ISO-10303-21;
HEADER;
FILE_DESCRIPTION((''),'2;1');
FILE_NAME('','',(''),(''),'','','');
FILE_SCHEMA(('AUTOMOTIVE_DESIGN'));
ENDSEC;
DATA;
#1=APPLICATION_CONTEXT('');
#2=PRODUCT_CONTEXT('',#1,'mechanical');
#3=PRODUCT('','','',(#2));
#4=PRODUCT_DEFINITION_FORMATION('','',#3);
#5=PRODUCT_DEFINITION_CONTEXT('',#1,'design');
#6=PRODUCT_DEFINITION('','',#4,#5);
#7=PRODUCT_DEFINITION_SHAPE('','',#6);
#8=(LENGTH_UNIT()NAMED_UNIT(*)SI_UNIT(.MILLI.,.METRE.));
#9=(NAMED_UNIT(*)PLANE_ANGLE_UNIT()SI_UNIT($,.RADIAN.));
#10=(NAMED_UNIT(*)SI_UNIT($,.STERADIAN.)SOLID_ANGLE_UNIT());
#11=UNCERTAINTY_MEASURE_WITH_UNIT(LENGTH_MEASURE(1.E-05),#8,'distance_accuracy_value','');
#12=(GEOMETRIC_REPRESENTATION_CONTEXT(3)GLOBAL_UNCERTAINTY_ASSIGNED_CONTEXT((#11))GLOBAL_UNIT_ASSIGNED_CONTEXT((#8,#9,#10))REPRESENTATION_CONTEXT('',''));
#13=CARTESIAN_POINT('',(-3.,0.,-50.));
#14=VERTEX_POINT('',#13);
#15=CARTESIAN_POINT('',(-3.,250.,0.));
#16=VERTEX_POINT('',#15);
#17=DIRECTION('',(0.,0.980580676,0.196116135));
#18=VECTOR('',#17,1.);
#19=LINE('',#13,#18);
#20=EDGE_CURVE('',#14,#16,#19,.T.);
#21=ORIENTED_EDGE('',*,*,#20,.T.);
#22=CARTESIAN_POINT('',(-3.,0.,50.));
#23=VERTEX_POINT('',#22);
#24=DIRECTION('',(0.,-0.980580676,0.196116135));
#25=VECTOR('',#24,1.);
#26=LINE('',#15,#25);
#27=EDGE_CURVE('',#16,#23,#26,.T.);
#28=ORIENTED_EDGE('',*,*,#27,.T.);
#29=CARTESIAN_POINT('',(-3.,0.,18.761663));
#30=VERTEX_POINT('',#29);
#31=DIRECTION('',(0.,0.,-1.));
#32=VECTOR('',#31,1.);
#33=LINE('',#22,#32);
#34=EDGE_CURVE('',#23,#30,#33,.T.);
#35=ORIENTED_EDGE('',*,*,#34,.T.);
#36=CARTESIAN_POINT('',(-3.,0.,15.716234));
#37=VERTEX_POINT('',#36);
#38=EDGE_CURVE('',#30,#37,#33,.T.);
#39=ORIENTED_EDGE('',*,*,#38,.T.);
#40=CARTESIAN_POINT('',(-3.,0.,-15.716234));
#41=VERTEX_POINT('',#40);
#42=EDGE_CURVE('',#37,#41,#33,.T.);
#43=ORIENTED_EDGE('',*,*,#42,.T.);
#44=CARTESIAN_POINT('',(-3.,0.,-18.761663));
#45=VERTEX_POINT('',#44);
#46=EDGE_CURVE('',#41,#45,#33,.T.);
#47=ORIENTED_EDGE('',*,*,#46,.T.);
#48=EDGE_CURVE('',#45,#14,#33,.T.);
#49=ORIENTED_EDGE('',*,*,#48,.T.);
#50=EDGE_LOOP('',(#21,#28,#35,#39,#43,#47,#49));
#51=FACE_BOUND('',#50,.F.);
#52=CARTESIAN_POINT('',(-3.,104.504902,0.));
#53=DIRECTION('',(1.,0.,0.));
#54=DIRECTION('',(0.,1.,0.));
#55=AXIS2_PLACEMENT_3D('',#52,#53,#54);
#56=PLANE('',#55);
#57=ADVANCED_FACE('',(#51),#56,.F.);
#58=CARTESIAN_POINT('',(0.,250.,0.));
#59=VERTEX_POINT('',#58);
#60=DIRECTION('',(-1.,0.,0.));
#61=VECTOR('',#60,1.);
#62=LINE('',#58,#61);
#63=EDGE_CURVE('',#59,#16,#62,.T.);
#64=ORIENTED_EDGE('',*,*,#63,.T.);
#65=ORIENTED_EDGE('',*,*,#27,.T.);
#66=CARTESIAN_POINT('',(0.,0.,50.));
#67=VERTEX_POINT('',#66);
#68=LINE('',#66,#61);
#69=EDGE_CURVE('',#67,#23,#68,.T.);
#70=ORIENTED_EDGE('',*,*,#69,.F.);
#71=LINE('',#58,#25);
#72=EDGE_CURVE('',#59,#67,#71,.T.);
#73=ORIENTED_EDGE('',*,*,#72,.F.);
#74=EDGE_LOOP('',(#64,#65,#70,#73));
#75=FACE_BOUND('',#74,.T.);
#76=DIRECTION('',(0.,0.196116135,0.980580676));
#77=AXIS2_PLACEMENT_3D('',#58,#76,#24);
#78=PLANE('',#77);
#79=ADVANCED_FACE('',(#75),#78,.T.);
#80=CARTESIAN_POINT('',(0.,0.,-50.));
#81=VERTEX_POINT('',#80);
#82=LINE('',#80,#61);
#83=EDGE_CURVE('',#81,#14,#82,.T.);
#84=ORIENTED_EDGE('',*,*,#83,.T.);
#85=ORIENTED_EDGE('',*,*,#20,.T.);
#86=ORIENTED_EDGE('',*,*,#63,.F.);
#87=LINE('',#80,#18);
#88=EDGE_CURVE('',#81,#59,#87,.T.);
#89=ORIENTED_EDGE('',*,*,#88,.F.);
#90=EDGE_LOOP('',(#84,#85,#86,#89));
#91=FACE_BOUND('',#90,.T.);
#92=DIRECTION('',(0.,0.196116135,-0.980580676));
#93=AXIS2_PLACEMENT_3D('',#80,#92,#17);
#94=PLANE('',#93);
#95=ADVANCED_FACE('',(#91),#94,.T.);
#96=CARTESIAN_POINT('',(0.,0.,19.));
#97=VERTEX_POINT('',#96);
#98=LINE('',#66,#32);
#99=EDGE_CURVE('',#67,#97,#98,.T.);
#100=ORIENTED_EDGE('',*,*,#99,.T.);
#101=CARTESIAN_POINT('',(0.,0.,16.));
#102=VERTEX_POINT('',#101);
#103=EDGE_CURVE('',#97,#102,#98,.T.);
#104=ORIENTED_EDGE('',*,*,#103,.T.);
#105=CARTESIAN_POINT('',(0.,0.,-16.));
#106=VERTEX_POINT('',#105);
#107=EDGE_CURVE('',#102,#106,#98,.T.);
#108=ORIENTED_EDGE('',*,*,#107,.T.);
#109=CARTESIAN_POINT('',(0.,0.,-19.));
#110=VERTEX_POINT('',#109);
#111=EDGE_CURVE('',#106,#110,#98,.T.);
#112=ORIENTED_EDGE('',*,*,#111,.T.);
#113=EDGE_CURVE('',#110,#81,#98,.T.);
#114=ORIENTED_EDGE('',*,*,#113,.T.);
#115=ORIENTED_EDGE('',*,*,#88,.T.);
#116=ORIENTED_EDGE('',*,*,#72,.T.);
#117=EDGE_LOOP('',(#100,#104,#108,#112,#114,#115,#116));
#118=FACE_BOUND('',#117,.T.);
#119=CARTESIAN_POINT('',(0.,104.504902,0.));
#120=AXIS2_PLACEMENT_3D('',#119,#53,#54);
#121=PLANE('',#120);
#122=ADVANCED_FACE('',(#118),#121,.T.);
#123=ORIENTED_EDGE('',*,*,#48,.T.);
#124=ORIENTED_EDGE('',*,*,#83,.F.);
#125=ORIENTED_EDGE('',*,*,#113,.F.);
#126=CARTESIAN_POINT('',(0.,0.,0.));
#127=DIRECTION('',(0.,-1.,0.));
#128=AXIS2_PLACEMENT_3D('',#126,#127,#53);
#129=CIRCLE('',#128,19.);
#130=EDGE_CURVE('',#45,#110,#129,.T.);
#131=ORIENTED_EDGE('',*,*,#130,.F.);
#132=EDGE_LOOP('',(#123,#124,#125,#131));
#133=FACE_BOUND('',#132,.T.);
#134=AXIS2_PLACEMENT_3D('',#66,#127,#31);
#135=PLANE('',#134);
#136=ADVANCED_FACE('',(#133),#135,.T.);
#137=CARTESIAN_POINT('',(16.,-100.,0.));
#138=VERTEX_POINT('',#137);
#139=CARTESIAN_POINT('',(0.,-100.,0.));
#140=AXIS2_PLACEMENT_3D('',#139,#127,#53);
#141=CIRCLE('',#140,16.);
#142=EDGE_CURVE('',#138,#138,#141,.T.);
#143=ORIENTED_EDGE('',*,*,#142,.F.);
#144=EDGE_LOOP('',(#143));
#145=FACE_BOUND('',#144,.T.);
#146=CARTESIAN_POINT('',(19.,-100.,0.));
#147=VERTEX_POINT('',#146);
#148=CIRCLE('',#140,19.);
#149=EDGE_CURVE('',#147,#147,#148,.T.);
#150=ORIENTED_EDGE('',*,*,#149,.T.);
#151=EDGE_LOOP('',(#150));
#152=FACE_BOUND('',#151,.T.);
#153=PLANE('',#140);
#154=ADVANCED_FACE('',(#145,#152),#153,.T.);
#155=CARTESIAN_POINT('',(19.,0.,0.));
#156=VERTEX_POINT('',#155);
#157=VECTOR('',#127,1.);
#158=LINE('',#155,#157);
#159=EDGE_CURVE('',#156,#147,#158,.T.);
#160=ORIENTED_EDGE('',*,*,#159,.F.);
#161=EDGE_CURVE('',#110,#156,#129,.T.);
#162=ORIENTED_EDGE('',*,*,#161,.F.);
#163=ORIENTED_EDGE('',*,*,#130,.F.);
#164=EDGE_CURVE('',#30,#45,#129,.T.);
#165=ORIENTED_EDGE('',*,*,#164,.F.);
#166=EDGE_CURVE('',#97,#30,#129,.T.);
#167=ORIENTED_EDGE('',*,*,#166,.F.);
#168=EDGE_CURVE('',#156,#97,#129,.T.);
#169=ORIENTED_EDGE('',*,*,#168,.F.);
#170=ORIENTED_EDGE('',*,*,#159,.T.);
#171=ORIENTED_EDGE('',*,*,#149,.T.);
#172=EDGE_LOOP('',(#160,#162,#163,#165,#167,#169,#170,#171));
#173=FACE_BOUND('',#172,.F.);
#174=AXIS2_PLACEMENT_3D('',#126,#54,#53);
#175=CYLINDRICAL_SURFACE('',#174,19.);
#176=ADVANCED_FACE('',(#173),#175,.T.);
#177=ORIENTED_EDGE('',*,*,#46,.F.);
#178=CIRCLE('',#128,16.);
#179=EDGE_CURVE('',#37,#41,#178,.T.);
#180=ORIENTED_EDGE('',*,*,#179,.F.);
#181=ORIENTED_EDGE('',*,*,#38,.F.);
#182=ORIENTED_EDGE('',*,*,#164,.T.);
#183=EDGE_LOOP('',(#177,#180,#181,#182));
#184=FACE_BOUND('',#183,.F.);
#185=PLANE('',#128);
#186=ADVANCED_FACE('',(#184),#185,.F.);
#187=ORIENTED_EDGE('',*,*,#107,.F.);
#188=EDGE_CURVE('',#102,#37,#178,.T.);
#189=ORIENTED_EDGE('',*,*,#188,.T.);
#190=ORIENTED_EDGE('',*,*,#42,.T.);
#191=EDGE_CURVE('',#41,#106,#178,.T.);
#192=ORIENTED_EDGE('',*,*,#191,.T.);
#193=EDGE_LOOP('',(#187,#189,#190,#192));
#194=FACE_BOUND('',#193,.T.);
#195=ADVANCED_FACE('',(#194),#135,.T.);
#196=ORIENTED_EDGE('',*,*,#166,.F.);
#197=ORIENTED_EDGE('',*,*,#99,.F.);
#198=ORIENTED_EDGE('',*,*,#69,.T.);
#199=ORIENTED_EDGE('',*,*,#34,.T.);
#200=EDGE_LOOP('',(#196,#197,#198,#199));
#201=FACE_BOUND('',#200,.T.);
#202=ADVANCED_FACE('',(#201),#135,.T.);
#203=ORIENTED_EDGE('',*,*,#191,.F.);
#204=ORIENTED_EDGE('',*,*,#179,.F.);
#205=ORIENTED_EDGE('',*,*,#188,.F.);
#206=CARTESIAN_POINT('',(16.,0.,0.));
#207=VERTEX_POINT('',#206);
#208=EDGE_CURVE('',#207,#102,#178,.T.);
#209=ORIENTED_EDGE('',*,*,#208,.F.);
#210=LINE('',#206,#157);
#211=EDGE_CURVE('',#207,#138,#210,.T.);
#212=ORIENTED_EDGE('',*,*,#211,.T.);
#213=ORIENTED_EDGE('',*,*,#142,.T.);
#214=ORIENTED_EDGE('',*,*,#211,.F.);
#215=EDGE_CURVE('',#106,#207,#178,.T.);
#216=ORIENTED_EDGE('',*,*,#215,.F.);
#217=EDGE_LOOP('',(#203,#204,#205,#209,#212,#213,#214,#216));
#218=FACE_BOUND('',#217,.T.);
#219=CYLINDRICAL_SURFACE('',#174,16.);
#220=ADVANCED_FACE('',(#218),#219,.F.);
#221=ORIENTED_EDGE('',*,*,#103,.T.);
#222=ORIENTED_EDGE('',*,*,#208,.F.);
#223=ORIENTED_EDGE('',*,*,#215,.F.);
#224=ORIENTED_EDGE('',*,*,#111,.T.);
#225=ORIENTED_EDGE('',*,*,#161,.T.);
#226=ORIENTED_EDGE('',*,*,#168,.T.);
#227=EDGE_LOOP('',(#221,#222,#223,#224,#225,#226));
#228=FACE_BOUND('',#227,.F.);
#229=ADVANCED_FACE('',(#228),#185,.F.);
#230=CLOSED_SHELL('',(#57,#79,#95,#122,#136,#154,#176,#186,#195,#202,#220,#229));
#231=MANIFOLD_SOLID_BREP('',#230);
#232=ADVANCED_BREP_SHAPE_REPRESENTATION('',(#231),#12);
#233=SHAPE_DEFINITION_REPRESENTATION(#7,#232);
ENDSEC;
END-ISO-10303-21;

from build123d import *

# Parameters (mm, degrees)
F0_R     = 19
F0_R_2   = 16
F1_DEPTH = 100
F3_DEPTH = 3


with BuildPart() as f1:
    # F0 (on Front) → F1 (new body)
    with BuildSketch(Plane.XZ):
        Circle(F0_R)
        Circle(F0_R_2, mode=Mode.SUBTRACT)
    extrude(amount=F1_DEPTH)

    # F2 (on Right) → F3 (join)
    with BuildSketch(Plane.YZ):
        Polygon((0, -50), (250, 0), (0, 50), (0, 0), align=None)
    extrude(amount=-F3_DEPTH)


solid = f1.part
